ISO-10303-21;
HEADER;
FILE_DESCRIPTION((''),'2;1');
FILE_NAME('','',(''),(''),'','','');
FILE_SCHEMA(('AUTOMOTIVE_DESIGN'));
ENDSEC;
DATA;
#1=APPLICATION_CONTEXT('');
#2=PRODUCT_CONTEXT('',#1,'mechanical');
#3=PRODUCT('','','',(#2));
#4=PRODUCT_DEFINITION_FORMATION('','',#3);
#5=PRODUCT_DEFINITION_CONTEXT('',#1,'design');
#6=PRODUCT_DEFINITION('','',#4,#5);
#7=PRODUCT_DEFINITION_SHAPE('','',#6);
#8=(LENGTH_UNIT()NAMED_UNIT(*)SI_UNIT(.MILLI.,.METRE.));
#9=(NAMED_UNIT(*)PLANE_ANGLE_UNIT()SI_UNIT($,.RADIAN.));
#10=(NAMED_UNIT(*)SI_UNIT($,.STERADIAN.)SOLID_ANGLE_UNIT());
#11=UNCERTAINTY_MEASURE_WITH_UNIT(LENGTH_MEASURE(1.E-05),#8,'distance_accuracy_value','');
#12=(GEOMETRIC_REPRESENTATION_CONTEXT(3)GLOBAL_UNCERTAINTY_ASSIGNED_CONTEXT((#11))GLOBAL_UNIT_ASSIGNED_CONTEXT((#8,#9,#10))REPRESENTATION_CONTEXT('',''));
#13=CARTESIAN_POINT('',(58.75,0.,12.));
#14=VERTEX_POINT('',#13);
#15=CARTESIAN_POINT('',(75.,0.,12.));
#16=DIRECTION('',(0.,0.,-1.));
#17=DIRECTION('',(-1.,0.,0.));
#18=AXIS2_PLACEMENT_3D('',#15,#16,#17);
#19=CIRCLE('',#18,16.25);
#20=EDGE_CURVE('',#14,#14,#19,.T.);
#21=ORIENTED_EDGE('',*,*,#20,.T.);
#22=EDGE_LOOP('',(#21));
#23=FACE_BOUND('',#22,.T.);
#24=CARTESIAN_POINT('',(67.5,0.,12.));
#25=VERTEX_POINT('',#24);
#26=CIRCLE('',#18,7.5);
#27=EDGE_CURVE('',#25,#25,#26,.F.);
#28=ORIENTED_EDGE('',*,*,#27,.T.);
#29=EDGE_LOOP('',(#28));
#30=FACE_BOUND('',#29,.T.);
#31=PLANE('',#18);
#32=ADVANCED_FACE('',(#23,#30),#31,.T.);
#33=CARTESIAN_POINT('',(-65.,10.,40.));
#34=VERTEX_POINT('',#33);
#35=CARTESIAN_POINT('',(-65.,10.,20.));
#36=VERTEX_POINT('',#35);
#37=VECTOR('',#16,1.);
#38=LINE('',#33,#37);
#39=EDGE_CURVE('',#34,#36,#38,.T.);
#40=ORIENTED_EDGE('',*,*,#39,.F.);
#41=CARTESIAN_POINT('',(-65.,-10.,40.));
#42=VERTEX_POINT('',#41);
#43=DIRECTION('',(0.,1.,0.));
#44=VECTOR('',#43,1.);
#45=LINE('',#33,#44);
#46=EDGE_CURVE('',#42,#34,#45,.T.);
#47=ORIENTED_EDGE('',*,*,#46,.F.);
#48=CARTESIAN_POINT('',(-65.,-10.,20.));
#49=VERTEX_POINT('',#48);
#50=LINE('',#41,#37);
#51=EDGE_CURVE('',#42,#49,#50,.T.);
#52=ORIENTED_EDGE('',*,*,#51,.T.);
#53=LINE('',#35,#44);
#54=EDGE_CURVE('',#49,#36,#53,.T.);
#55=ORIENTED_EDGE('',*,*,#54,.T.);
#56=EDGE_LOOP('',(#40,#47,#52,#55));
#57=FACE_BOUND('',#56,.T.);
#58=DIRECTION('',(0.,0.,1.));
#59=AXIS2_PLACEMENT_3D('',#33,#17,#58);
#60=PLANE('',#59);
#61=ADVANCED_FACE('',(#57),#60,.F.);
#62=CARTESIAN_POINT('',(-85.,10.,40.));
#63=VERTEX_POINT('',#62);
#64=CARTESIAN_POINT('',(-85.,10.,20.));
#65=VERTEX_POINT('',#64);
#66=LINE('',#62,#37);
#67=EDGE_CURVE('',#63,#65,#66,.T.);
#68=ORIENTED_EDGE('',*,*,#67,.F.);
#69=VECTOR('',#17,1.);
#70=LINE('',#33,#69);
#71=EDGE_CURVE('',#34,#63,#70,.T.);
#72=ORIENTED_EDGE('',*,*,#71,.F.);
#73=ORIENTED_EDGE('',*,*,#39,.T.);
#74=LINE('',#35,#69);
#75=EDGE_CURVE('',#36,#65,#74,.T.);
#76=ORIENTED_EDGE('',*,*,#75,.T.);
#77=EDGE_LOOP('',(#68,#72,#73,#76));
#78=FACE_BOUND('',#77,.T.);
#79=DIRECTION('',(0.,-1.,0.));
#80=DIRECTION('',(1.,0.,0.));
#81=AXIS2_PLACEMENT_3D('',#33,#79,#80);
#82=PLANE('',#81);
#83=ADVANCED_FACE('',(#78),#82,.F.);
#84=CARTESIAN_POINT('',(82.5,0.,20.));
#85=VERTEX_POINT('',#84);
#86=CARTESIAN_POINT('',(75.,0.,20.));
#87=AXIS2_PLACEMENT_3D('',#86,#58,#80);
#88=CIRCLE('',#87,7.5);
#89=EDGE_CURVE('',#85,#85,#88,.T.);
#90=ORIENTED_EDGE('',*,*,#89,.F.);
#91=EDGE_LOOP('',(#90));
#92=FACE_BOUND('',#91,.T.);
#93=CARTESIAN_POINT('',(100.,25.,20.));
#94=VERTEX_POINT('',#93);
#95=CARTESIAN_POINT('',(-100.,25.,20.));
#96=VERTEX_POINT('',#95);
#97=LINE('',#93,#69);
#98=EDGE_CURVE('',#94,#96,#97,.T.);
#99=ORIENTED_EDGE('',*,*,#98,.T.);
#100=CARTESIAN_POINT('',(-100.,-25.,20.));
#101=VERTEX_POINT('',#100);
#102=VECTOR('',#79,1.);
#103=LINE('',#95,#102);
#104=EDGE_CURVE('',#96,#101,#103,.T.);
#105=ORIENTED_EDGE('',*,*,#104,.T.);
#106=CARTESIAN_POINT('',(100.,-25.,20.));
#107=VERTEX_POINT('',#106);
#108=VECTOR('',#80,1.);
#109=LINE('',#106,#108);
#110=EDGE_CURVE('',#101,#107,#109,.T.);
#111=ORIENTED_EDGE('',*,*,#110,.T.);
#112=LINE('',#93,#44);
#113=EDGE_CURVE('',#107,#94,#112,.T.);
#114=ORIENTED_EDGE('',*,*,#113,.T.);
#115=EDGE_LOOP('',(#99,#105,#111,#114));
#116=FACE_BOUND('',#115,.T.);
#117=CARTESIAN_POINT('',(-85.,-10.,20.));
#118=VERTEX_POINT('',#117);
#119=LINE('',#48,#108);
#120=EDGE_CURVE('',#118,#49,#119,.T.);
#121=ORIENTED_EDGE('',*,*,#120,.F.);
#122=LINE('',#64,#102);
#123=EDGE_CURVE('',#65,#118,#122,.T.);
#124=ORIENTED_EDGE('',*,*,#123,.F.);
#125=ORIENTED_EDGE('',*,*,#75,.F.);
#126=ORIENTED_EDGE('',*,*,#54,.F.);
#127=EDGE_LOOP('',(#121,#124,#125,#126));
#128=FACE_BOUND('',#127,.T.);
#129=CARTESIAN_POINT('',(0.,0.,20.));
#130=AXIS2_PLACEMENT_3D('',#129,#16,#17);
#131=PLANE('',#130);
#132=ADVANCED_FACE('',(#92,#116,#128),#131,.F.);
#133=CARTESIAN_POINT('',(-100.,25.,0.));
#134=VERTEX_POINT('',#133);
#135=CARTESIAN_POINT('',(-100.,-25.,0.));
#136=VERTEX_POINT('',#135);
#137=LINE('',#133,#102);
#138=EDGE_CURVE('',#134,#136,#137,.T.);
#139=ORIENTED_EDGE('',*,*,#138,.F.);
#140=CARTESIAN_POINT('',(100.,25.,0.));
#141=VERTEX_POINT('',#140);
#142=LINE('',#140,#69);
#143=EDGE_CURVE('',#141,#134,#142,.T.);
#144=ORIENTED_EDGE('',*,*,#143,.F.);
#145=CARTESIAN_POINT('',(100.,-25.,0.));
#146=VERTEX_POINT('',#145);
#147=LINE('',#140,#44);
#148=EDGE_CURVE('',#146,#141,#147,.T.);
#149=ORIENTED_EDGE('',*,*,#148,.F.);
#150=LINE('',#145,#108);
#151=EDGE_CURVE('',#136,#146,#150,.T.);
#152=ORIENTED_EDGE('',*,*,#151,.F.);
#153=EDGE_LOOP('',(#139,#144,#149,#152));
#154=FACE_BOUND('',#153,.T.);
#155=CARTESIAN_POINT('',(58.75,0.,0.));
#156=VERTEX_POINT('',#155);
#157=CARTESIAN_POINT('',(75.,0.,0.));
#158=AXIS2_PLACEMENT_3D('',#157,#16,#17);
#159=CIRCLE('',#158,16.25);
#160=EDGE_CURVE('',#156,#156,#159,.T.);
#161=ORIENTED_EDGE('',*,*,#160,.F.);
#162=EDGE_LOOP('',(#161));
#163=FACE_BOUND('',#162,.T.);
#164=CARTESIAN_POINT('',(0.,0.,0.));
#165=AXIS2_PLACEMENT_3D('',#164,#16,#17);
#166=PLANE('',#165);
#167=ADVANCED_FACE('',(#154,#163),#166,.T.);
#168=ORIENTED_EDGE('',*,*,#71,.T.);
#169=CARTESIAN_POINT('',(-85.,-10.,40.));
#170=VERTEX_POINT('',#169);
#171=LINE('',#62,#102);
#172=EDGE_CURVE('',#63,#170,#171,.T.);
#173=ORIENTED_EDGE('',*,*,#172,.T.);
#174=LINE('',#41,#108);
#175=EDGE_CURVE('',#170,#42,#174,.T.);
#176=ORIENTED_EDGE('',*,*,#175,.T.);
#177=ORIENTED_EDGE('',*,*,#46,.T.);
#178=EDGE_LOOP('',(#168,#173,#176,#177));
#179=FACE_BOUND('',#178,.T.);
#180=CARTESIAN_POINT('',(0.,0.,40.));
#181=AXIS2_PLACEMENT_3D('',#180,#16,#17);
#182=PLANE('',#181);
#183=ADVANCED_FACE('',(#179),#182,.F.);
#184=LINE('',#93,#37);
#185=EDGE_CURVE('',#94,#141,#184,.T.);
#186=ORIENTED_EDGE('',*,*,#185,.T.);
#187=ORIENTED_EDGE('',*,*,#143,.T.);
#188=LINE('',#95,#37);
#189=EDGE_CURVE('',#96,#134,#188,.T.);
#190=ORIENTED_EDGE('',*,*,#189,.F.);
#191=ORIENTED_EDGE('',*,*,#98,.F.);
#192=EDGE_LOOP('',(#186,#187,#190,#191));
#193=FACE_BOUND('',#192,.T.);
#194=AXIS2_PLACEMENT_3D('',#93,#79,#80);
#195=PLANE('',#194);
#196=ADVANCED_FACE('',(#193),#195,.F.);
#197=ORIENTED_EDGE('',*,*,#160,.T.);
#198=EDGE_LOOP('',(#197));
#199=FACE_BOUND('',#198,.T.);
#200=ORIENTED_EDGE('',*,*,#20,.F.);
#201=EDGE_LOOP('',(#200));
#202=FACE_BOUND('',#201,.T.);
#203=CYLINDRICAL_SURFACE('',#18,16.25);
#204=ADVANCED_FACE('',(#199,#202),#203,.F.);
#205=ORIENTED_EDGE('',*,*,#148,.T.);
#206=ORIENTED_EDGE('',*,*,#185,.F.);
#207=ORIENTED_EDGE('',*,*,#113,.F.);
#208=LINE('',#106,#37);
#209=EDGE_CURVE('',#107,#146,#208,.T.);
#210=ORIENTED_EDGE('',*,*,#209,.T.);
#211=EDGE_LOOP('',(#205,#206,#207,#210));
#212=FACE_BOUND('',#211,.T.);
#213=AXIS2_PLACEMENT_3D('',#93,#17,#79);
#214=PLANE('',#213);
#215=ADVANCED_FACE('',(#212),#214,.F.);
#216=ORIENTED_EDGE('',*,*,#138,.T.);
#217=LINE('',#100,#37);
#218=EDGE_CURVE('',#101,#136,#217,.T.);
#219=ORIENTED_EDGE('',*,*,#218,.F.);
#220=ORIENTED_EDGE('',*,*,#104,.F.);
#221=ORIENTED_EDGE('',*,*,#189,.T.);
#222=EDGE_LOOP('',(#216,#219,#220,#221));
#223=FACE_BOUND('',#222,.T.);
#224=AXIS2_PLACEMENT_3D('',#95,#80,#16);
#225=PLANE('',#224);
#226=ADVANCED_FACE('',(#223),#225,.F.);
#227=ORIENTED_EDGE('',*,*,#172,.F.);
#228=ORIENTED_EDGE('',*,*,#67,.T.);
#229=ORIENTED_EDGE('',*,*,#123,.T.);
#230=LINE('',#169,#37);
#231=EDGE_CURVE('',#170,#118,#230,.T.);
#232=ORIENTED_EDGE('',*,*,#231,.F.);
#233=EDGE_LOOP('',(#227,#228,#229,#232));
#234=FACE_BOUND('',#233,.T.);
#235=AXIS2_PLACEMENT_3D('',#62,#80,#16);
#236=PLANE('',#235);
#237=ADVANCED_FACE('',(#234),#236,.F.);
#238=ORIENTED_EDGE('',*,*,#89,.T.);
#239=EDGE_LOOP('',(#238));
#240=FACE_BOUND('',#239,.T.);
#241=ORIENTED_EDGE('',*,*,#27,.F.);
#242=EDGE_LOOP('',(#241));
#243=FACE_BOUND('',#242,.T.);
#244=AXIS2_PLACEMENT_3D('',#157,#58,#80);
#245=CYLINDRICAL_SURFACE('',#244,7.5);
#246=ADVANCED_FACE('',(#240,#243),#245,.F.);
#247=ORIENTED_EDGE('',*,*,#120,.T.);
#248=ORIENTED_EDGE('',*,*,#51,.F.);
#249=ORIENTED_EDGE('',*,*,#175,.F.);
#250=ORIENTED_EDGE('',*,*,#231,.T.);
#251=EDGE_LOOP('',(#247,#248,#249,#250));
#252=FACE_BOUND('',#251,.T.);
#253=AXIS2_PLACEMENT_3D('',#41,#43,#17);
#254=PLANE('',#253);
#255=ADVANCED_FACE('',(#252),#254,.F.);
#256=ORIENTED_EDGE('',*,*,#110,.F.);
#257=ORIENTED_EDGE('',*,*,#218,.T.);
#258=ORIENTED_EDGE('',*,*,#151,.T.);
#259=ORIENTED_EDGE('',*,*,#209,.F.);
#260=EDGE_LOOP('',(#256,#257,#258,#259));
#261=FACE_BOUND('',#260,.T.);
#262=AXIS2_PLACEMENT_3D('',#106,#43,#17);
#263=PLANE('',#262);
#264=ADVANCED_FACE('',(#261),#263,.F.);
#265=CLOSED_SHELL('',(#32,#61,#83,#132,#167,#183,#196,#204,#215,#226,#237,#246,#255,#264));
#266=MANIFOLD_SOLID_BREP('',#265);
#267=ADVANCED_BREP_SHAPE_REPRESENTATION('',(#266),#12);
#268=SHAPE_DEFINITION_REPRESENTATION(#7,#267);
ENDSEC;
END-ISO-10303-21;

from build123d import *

# Parameters (mm, degrees)
ESQUISSE1_W             = 200
ESQUISSE1_H             = 50
BOSS_EXTRU_1_DEPTH      = 20
ESQUISSE2_W             = 20
ESQUISSE2_H             = 20
BOSS_EXTRU_2_DEPTH      = 20
ESQUISSE3_R             = 7.5
ENL_V_MAT_EXTRU_1_DEPTH = 20
ESQUISSE8_R             = 16.25
ENL_V_MAT_EXTRU_3_DEPTH = 12


with BuildPart() as part:
    # Esquisse1 → Boss.-Extru.1 (new body)
    with BuildSketch(Plane.XY):
        Rectangle(ESQUISSE1_W, ESQUISSE1_H)
    extrude(amount=BOSS_EXTRU_1_DEPTH)

    # Esquisse2 → Boss.-Extru.2 (add)
    with BuildSketch(Plane.XY.offset(20)):
        with Locations((-75, 0)):
            Rectangle(ESQUISSE2_W, ESQUISSE2_H)
    extrude(amount=BOSS_EXTRU_2_DEPTH)

    # Esquisse3 → Enlèv. mat.-Extru.1 (cut)
    with BuildSketch(Plane.XY.offset(20)):
        with Locations((75, 0)):
            Circle(ESQUISSE3_R)
    extrude(amount=-ENL_V_MAT_EXTRU_1_DEPTH, mode=Mode.SUBTRACT)

    # Esquisse8 → Enlèv. mat.-Extru.3 (cut)
    with BuildSketch(Plane(origin=(0, 0, 0), x_dir=(-1, 0, 0), z_dir=(0, 0, -1))):
        with Locations((-75, 0)):
            Circle(ESQUISSE8_R)
    extrude(amount=-ENL_V_MAT_EXTRU_3_DEPTH, mode=Mode.SUBTRACT)


solid = part.part
